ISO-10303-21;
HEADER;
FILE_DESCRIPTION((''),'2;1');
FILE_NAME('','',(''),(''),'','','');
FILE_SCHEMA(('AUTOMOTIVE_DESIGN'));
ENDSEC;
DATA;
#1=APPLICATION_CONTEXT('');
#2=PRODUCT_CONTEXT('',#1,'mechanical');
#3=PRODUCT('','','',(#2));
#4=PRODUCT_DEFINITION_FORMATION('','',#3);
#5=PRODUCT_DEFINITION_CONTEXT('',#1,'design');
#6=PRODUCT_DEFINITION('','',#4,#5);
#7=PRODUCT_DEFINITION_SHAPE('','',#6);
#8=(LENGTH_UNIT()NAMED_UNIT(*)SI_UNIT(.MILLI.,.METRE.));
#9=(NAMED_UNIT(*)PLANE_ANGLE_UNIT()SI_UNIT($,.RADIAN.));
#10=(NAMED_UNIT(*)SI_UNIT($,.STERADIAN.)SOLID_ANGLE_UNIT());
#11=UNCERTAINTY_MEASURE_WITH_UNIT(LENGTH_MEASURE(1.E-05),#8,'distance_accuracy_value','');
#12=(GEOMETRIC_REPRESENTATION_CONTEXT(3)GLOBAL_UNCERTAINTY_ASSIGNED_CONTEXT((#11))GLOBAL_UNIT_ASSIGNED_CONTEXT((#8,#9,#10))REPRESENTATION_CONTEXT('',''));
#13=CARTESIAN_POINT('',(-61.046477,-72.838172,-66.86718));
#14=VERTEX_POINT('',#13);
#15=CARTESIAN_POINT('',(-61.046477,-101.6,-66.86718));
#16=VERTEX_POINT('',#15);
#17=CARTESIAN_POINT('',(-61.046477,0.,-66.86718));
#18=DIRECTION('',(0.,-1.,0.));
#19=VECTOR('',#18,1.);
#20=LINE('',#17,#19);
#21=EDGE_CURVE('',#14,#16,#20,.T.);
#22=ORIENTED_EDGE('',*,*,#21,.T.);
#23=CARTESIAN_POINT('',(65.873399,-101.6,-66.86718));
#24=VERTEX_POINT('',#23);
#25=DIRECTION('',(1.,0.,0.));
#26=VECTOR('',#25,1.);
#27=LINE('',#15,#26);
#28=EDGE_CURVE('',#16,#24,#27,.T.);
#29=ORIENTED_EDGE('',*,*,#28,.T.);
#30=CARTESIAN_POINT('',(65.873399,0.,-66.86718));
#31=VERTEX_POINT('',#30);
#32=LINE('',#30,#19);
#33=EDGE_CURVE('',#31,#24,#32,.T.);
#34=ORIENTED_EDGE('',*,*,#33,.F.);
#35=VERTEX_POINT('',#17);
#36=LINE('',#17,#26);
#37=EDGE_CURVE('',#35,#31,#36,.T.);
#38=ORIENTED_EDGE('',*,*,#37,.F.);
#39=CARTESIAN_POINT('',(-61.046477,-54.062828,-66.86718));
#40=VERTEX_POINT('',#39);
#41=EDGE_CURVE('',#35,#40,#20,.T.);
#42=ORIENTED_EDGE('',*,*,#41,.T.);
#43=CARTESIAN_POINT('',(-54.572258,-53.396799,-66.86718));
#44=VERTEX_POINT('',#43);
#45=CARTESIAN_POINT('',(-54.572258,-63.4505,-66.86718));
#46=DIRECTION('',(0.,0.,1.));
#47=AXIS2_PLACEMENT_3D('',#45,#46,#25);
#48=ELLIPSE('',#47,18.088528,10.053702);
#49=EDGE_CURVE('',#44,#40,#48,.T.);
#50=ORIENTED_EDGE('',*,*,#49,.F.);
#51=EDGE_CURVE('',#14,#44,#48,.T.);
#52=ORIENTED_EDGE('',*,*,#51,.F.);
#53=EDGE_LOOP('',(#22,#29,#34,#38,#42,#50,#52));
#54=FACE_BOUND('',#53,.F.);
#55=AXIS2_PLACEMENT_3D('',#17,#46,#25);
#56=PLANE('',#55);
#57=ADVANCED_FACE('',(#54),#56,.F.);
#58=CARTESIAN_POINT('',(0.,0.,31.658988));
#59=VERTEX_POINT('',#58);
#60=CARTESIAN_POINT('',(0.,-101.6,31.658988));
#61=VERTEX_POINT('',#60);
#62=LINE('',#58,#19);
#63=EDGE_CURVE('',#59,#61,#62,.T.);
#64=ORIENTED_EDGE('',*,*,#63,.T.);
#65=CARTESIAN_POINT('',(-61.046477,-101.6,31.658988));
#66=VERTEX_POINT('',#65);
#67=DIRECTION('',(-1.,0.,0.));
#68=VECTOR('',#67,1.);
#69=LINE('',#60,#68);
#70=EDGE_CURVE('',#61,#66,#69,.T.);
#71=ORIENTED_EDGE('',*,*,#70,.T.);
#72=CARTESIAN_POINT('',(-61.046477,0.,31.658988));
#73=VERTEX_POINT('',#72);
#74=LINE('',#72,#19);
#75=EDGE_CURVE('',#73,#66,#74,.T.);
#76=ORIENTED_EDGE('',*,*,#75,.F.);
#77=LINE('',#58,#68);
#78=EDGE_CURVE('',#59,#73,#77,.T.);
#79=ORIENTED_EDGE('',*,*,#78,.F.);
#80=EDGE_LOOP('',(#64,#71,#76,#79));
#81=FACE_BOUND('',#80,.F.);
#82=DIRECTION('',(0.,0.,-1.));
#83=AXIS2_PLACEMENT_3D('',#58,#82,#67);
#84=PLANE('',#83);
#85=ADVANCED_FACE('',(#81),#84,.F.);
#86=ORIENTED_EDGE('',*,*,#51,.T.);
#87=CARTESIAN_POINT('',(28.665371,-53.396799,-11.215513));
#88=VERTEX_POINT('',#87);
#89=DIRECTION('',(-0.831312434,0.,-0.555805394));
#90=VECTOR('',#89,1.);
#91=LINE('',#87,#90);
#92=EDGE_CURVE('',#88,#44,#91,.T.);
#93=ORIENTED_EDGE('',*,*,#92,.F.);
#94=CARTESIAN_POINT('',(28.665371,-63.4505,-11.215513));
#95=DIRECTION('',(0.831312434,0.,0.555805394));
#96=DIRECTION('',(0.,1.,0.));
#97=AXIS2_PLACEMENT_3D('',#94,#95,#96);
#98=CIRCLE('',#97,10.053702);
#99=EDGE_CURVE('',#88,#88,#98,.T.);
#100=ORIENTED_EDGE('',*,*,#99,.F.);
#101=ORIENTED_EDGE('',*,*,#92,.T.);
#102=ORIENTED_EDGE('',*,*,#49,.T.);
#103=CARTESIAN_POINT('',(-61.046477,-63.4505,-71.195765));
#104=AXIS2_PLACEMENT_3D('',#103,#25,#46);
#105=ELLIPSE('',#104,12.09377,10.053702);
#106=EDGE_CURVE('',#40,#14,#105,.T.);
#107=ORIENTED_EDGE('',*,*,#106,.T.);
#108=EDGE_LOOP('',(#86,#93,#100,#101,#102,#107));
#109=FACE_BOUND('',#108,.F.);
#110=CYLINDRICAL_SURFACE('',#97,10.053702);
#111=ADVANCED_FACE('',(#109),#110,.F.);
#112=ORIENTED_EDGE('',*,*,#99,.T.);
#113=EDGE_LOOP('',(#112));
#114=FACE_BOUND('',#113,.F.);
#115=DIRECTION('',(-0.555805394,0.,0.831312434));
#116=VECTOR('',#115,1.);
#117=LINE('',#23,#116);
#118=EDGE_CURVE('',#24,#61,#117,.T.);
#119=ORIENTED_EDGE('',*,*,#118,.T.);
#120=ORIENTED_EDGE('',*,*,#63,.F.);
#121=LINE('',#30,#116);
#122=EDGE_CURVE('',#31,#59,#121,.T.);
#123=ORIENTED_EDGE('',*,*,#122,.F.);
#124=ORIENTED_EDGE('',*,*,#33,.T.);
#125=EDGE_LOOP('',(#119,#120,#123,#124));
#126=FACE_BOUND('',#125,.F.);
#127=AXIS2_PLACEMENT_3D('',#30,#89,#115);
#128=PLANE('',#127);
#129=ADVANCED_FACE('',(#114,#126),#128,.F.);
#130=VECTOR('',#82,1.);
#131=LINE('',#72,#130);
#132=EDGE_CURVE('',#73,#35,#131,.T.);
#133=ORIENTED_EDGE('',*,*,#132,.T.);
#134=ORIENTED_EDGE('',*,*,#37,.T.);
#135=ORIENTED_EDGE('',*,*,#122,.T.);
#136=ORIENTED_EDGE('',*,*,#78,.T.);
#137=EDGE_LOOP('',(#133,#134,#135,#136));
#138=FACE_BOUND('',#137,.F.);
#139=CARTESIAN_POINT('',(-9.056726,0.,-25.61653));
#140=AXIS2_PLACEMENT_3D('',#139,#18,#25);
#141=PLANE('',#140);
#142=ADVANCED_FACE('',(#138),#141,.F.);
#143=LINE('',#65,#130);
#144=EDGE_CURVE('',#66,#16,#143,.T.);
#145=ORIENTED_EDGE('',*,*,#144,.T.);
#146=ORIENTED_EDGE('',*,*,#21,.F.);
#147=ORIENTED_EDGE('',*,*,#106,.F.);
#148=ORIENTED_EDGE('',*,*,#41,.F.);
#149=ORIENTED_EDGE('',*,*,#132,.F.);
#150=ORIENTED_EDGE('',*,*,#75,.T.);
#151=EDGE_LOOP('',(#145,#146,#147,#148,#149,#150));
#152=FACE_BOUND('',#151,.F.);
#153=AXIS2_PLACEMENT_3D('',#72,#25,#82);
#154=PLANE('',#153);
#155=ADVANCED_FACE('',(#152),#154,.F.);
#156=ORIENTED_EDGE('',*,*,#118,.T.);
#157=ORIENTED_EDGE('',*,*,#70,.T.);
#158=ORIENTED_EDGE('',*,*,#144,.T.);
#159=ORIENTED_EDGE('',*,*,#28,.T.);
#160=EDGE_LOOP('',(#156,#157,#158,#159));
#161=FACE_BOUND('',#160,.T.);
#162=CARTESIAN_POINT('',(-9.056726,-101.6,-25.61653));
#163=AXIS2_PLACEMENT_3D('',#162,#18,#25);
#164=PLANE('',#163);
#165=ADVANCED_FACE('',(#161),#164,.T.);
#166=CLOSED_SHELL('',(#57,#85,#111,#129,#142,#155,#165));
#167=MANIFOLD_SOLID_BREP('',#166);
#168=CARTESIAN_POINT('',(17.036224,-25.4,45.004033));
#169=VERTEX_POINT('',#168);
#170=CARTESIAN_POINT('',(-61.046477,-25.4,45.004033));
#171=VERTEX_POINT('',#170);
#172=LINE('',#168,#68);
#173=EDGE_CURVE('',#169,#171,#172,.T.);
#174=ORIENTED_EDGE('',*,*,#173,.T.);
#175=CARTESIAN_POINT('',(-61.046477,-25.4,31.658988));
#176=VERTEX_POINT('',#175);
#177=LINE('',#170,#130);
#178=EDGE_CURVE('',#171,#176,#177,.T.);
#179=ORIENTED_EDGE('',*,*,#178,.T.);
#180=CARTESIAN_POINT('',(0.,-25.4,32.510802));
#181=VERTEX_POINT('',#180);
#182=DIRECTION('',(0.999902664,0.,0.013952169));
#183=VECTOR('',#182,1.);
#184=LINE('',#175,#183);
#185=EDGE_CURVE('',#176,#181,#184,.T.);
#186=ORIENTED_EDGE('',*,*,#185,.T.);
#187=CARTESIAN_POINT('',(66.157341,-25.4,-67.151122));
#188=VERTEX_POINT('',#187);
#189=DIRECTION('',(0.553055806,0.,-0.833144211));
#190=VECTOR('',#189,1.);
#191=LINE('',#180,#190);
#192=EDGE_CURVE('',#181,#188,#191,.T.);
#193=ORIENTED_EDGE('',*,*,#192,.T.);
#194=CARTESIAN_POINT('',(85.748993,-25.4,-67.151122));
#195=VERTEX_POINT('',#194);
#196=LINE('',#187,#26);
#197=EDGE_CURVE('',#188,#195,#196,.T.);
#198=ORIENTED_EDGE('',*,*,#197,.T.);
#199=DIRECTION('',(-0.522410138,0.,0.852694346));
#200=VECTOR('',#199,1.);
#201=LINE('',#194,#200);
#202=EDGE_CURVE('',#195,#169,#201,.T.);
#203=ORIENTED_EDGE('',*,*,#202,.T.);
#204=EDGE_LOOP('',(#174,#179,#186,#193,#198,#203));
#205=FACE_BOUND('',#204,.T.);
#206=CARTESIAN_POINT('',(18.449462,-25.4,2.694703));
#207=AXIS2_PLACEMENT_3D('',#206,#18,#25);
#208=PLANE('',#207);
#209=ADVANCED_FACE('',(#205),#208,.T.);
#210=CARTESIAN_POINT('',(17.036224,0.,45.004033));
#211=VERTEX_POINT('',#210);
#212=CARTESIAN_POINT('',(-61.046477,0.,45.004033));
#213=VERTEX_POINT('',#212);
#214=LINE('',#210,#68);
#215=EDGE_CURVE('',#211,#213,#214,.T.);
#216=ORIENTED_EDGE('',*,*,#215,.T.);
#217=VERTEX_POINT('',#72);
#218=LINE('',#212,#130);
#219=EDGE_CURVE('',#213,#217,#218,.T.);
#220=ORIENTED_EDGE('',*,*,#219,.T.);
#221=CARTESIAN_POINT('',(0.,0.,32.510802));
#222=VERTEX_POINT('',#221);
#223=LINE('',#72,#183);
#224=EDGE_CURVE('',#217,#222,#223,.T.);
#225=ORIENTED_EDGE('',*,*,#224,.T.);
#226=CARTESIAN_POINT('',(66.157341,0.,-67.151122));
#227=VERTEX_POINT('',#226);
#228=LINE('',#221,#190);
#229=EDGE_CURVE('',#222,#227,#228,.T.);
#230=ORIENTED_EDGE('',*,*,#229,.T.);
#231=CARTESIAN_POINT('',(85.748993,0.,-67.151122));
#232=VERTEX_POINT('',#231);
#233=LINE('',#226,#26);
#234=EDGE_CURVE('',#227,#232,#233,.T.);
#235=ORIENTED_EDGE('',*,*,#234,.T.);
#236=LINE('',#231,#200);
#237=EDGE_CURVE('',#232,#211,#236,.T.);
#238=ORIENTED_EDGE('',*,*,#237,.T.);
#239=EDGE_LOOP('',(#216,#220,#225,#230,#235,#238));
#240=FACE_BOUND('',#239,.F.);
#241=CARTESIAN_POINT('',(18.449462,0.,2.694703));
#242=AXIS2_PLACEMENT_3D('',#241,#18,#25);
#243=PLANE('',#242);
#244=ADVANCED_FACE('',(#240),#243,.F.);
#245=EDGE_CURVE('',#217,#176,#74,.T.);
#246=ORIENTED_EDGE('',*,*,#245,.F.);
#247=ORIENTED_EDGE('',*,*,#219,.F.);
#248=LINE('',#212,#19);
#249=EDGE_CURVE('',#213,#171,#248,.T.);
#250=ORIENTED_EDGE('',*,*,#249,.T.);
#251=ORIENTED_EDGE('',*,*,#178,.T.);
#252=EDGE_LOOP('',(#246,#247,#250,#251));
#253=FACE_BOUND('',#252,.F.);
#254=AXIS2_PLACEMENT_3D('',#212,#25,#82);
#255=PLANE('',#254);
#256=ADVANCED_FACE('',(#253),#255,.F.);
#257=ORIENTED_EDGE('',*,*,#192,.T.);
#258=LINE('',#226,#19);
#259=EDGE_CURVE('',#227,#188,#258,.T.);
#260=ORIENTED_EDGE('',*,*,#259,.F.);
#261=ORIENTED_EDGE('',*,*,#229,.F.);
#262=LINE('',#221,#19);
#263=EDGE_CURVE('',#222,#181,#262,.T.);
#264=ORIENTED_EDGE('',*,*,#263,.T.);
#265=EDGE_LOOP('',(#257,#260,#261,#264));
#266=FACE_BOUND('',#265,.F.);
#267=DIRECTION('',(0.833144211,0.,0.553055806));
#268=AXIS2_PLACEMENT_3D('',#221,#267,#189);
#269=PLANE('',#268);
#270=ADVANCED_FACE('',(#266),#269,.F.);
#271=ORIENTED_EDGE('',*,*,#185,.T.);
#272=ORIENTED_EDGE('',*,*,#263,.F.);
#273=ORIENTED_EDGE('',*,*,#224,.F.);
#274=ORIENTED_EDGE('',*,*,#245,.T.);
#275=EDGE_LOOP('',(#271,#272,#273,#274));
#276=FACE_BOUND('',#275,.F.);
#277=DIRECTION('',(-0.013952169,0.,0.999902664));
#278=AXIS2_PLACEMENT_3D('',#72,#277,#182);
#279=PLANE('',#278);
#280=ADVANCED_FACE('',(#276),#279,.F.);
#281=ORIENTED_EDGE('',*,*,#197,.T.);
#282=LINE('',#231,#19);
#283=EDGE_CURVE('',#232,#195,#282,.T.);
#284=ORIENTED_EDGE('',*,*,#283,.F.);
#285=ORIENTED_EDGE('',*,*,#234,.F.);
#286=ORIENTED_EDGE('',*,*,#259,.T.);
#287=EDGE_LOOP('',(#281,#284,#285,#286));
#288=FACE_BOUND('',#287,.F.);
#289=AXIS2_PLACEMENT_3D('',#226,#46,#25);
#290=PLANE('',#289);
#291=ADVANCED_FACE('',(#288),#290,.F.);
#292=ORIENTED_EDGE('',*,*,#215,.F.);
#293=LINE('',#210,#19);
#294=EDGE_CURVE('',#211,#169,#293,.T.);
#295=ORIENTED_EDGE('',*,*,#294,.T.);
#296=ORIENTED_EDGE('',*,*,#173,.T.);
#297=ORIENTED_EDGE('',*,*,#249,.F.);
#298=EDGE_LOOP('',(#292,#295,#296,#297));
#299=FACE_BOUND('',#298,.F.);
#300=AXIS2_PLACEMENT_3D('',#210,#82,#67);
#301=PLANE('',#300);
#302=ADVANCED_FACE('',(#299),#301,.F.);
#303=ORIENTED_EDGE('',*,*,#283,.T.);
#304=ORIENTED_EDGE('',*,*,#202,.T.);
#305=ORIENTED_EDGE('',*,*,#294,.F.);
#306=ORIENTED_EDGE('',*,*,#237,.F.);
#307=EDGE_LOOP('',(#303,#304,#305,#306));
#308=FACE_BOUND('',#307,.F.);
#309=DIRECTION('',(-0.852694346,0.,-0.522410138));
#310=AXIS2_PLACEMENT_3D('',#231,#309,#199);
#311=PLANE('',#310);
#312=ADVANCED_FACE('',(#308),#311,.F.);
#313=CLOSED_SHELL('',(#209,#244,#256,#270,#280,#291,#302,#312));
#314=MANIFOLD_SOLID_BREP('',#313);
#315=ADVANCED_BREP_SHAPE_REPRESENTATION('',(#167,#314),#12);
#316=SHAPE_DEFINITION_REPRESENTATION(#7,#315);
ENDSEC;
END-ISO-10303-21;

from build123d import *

# Parameters (mm, degrees)
F1_DEPTH = 101.6
F3_DEPTH = 25.4
F4_R     = 10.0537015356
F5_DEPTH = 105.6688880335


with BuildPart() as f1:
    # F0 (on Front) → F1 (new body)
    with BuildSketch(Plane.XZ):
        Polygon((0, 31.658988446), (-61.0464774072, 31.658988446), (-61.0464774072, -66.8671801686), (65.8733993769, -66.8671801686), align=None)
    extrude(amount=F1_DEPTH)

    # F4 (on face) → F5 (cut, through all)
    with BuildSketch(Plane(origin=(14.6279702494, 0, 9.7800831988), x_dir=(0, 1, 0), z_dir=(0.8313124344, 0, 0.5558053943))):
        with Locations((-63.4505003691, -25.2559632063)):
            Circle(F4_R)
    extrude(amount=-F5_DEPTH, mode=Mode.SUBTRACT)


with BuildPart() as f3:
    # F2 (on Front) → F3 (new body)
    with BuildSketch(Plane.XZ):
        Polygon((-61.0464774072, 45.0040325522), (-61.0464774072, 31.658988446), (0, 32.5108021498), (66.1573410034, -67.1511217952), (85.7489928603, -67.1511217952), (17.0362237841, 45.0040325522), align=None)
    extrude(amount=F3_DEPTH)


solid = Compound([f1.part, f3.part])
